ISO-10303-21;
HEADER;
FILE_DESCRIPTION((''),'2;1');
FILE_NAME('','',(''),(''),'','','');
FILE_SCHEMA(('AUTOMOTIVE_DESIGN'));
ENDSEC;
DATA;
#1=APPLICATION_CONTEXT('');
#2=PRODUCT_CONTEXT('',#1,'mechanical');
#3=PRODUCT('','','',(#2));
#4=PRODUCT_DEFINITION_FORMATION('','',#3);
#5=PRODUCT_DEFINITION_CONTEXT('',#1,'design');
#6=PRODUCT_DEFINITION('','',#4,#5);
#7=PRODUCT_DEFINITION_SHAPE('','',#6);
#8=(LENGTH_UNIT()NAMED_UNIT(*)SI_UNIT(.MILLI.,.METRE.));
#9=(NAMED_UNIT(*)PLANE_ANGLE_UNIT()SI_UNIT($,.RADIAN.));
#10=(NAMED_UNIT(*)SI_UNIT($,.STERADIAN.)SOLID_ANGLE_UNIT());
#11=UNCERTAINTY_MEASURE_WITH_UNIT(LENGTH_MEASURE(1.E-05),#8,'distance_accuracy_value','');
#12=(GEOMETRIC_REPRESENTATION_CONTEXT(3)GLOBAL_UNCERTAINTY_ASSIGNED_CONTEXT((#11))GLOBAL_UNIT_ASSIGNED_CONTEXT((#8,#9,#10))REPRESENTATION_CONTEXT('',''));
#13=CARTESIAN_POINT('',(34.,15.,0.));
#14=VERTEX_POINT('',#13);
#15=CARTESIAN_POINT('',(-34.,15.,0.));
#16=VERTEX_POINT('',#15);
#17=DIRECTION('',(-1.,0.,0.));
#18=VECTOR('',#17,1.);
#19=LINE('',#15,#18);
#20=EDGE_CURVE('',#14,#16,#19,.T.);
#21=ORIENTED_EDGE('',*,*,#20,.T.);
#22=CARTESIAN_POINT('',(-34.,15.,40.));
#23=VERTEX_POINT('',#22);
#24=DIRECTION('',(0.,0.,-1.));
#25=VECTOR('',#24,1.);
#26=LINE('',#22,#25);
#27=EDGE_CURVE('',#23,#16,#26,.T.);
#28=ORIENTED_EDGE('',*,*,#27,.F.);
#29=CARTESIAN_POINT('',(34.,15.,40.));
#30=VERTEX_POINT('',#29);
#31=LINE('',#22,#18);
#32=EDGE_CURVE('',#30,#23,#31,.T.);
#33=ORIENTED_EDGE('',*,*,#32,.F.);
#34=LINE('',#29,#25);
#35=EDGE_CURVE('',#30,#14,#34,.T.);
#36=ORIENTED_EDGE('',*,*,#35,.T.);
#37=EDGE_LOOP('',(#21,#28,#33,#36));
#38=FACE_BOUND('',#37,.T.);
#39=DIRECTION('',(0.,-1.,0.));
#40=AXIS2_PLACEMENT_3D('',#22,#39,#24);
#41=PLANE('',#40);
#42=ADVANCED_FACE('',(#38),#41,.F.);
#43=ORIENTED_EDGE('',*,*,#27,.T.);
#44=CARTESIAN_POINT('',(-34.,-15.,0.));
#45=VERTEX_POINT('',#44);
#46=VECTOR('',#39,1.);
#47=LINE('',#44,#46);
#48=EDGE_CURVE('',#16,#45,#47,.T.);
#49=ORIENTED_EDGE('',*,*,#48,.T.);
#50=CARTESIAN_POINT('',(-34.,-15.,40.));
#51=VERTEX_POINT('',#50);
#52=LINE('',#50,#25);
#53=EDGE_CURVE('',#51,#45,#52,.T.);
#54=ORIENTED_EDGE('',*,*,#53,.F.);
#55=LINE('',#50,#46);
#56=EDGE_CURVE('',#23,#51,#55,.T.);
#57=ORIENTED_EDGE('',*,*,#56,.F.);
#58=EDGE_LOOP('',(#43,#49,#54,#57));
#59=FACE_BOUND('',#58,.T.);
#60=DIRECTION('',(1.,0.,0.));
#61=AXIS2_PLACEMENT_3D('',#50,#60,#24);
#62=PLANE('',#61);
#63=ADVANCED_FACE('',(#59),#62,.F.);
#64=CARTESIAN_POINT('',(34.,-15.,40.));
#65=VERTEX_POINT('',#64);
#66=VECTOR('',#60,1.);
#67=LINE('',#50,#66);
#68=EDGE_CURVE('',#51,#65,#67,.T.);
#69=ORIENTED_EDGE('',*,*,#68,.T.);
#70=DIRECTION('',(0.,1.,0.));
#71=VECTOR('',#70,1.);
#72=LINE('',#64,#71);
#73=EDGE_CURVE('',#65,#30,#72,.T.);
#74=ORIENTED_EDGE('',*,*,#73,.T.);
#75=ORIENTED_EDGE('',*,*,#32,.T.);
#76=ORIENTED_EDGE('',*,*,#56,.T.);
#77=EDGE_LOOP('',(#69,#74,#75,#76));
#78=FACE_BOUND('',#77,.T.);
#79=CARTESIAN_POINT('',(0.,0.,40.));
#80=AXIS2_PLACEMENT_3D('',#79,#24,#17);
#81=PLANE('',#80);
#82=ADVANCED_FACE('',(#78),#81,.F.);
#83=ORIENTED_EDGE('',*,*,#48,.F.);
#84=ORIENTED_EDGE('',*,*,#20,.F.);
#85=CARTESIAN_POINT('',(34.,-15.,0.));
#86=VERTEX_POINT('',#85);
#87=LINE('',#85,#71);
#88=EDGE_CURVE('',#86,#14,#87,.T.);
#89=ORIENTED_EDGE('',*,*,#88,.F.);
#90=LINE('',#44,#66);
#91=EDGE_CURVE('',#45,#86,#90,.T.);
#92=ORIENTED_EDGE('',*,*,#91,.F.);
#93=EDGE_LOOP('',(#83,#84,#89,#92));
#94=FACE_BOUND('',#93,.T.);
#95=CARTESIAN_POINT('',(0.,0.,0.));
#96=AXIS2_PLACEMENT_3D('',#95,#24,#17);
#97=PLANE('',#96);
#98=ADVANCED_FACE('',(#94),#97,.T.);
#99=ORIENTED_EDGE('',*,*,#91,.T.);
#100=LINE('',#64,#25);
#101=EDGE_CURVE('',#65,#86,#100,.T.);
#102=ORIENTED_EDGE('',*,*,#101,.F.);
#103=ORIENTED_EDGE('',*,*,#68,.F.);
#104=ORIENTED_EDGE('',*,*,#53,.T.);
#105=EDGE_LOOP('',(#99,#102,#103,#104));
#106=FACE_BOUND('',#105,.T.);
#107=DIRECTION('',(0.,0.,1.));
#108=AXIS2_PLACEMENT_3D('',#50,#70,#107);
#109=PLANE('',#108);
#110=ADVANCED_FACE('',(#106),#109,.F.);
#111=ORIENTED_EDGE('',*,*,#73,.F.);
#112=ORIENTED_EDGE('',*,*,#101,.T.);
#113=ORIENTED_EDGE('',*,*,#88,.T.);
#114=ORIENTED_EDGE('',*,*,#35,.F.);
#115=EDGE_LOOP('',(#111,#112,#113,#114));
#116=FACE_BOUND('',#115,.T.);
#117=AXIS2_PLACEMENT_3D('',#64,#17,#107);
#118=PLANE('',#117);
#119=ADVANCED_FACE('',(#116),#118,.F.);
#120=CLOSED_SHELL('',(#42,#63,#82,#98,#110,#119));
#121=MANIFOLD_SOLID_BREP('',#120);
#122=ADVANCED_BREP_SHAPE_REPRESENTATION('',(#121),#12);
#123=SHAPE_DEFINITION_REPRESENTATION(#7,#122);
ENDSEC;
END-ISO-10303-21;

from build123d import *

# Parameters (mm, degrees)
SKETCH_1_W      = 68
SKETCH_1_H      = 30
EXTRUDE_1_DEPTH = 40


with BuildPart() as part:
    # 草图1 → 凸台-拉伸1 (new body)
    with BuildSketch(Plane.XY):
        Rectangle(SKETCH_1_W, SKETCH_1_H)
    extrude(amount=EXTRUDE_1_DEPTH)


solid = part.part
